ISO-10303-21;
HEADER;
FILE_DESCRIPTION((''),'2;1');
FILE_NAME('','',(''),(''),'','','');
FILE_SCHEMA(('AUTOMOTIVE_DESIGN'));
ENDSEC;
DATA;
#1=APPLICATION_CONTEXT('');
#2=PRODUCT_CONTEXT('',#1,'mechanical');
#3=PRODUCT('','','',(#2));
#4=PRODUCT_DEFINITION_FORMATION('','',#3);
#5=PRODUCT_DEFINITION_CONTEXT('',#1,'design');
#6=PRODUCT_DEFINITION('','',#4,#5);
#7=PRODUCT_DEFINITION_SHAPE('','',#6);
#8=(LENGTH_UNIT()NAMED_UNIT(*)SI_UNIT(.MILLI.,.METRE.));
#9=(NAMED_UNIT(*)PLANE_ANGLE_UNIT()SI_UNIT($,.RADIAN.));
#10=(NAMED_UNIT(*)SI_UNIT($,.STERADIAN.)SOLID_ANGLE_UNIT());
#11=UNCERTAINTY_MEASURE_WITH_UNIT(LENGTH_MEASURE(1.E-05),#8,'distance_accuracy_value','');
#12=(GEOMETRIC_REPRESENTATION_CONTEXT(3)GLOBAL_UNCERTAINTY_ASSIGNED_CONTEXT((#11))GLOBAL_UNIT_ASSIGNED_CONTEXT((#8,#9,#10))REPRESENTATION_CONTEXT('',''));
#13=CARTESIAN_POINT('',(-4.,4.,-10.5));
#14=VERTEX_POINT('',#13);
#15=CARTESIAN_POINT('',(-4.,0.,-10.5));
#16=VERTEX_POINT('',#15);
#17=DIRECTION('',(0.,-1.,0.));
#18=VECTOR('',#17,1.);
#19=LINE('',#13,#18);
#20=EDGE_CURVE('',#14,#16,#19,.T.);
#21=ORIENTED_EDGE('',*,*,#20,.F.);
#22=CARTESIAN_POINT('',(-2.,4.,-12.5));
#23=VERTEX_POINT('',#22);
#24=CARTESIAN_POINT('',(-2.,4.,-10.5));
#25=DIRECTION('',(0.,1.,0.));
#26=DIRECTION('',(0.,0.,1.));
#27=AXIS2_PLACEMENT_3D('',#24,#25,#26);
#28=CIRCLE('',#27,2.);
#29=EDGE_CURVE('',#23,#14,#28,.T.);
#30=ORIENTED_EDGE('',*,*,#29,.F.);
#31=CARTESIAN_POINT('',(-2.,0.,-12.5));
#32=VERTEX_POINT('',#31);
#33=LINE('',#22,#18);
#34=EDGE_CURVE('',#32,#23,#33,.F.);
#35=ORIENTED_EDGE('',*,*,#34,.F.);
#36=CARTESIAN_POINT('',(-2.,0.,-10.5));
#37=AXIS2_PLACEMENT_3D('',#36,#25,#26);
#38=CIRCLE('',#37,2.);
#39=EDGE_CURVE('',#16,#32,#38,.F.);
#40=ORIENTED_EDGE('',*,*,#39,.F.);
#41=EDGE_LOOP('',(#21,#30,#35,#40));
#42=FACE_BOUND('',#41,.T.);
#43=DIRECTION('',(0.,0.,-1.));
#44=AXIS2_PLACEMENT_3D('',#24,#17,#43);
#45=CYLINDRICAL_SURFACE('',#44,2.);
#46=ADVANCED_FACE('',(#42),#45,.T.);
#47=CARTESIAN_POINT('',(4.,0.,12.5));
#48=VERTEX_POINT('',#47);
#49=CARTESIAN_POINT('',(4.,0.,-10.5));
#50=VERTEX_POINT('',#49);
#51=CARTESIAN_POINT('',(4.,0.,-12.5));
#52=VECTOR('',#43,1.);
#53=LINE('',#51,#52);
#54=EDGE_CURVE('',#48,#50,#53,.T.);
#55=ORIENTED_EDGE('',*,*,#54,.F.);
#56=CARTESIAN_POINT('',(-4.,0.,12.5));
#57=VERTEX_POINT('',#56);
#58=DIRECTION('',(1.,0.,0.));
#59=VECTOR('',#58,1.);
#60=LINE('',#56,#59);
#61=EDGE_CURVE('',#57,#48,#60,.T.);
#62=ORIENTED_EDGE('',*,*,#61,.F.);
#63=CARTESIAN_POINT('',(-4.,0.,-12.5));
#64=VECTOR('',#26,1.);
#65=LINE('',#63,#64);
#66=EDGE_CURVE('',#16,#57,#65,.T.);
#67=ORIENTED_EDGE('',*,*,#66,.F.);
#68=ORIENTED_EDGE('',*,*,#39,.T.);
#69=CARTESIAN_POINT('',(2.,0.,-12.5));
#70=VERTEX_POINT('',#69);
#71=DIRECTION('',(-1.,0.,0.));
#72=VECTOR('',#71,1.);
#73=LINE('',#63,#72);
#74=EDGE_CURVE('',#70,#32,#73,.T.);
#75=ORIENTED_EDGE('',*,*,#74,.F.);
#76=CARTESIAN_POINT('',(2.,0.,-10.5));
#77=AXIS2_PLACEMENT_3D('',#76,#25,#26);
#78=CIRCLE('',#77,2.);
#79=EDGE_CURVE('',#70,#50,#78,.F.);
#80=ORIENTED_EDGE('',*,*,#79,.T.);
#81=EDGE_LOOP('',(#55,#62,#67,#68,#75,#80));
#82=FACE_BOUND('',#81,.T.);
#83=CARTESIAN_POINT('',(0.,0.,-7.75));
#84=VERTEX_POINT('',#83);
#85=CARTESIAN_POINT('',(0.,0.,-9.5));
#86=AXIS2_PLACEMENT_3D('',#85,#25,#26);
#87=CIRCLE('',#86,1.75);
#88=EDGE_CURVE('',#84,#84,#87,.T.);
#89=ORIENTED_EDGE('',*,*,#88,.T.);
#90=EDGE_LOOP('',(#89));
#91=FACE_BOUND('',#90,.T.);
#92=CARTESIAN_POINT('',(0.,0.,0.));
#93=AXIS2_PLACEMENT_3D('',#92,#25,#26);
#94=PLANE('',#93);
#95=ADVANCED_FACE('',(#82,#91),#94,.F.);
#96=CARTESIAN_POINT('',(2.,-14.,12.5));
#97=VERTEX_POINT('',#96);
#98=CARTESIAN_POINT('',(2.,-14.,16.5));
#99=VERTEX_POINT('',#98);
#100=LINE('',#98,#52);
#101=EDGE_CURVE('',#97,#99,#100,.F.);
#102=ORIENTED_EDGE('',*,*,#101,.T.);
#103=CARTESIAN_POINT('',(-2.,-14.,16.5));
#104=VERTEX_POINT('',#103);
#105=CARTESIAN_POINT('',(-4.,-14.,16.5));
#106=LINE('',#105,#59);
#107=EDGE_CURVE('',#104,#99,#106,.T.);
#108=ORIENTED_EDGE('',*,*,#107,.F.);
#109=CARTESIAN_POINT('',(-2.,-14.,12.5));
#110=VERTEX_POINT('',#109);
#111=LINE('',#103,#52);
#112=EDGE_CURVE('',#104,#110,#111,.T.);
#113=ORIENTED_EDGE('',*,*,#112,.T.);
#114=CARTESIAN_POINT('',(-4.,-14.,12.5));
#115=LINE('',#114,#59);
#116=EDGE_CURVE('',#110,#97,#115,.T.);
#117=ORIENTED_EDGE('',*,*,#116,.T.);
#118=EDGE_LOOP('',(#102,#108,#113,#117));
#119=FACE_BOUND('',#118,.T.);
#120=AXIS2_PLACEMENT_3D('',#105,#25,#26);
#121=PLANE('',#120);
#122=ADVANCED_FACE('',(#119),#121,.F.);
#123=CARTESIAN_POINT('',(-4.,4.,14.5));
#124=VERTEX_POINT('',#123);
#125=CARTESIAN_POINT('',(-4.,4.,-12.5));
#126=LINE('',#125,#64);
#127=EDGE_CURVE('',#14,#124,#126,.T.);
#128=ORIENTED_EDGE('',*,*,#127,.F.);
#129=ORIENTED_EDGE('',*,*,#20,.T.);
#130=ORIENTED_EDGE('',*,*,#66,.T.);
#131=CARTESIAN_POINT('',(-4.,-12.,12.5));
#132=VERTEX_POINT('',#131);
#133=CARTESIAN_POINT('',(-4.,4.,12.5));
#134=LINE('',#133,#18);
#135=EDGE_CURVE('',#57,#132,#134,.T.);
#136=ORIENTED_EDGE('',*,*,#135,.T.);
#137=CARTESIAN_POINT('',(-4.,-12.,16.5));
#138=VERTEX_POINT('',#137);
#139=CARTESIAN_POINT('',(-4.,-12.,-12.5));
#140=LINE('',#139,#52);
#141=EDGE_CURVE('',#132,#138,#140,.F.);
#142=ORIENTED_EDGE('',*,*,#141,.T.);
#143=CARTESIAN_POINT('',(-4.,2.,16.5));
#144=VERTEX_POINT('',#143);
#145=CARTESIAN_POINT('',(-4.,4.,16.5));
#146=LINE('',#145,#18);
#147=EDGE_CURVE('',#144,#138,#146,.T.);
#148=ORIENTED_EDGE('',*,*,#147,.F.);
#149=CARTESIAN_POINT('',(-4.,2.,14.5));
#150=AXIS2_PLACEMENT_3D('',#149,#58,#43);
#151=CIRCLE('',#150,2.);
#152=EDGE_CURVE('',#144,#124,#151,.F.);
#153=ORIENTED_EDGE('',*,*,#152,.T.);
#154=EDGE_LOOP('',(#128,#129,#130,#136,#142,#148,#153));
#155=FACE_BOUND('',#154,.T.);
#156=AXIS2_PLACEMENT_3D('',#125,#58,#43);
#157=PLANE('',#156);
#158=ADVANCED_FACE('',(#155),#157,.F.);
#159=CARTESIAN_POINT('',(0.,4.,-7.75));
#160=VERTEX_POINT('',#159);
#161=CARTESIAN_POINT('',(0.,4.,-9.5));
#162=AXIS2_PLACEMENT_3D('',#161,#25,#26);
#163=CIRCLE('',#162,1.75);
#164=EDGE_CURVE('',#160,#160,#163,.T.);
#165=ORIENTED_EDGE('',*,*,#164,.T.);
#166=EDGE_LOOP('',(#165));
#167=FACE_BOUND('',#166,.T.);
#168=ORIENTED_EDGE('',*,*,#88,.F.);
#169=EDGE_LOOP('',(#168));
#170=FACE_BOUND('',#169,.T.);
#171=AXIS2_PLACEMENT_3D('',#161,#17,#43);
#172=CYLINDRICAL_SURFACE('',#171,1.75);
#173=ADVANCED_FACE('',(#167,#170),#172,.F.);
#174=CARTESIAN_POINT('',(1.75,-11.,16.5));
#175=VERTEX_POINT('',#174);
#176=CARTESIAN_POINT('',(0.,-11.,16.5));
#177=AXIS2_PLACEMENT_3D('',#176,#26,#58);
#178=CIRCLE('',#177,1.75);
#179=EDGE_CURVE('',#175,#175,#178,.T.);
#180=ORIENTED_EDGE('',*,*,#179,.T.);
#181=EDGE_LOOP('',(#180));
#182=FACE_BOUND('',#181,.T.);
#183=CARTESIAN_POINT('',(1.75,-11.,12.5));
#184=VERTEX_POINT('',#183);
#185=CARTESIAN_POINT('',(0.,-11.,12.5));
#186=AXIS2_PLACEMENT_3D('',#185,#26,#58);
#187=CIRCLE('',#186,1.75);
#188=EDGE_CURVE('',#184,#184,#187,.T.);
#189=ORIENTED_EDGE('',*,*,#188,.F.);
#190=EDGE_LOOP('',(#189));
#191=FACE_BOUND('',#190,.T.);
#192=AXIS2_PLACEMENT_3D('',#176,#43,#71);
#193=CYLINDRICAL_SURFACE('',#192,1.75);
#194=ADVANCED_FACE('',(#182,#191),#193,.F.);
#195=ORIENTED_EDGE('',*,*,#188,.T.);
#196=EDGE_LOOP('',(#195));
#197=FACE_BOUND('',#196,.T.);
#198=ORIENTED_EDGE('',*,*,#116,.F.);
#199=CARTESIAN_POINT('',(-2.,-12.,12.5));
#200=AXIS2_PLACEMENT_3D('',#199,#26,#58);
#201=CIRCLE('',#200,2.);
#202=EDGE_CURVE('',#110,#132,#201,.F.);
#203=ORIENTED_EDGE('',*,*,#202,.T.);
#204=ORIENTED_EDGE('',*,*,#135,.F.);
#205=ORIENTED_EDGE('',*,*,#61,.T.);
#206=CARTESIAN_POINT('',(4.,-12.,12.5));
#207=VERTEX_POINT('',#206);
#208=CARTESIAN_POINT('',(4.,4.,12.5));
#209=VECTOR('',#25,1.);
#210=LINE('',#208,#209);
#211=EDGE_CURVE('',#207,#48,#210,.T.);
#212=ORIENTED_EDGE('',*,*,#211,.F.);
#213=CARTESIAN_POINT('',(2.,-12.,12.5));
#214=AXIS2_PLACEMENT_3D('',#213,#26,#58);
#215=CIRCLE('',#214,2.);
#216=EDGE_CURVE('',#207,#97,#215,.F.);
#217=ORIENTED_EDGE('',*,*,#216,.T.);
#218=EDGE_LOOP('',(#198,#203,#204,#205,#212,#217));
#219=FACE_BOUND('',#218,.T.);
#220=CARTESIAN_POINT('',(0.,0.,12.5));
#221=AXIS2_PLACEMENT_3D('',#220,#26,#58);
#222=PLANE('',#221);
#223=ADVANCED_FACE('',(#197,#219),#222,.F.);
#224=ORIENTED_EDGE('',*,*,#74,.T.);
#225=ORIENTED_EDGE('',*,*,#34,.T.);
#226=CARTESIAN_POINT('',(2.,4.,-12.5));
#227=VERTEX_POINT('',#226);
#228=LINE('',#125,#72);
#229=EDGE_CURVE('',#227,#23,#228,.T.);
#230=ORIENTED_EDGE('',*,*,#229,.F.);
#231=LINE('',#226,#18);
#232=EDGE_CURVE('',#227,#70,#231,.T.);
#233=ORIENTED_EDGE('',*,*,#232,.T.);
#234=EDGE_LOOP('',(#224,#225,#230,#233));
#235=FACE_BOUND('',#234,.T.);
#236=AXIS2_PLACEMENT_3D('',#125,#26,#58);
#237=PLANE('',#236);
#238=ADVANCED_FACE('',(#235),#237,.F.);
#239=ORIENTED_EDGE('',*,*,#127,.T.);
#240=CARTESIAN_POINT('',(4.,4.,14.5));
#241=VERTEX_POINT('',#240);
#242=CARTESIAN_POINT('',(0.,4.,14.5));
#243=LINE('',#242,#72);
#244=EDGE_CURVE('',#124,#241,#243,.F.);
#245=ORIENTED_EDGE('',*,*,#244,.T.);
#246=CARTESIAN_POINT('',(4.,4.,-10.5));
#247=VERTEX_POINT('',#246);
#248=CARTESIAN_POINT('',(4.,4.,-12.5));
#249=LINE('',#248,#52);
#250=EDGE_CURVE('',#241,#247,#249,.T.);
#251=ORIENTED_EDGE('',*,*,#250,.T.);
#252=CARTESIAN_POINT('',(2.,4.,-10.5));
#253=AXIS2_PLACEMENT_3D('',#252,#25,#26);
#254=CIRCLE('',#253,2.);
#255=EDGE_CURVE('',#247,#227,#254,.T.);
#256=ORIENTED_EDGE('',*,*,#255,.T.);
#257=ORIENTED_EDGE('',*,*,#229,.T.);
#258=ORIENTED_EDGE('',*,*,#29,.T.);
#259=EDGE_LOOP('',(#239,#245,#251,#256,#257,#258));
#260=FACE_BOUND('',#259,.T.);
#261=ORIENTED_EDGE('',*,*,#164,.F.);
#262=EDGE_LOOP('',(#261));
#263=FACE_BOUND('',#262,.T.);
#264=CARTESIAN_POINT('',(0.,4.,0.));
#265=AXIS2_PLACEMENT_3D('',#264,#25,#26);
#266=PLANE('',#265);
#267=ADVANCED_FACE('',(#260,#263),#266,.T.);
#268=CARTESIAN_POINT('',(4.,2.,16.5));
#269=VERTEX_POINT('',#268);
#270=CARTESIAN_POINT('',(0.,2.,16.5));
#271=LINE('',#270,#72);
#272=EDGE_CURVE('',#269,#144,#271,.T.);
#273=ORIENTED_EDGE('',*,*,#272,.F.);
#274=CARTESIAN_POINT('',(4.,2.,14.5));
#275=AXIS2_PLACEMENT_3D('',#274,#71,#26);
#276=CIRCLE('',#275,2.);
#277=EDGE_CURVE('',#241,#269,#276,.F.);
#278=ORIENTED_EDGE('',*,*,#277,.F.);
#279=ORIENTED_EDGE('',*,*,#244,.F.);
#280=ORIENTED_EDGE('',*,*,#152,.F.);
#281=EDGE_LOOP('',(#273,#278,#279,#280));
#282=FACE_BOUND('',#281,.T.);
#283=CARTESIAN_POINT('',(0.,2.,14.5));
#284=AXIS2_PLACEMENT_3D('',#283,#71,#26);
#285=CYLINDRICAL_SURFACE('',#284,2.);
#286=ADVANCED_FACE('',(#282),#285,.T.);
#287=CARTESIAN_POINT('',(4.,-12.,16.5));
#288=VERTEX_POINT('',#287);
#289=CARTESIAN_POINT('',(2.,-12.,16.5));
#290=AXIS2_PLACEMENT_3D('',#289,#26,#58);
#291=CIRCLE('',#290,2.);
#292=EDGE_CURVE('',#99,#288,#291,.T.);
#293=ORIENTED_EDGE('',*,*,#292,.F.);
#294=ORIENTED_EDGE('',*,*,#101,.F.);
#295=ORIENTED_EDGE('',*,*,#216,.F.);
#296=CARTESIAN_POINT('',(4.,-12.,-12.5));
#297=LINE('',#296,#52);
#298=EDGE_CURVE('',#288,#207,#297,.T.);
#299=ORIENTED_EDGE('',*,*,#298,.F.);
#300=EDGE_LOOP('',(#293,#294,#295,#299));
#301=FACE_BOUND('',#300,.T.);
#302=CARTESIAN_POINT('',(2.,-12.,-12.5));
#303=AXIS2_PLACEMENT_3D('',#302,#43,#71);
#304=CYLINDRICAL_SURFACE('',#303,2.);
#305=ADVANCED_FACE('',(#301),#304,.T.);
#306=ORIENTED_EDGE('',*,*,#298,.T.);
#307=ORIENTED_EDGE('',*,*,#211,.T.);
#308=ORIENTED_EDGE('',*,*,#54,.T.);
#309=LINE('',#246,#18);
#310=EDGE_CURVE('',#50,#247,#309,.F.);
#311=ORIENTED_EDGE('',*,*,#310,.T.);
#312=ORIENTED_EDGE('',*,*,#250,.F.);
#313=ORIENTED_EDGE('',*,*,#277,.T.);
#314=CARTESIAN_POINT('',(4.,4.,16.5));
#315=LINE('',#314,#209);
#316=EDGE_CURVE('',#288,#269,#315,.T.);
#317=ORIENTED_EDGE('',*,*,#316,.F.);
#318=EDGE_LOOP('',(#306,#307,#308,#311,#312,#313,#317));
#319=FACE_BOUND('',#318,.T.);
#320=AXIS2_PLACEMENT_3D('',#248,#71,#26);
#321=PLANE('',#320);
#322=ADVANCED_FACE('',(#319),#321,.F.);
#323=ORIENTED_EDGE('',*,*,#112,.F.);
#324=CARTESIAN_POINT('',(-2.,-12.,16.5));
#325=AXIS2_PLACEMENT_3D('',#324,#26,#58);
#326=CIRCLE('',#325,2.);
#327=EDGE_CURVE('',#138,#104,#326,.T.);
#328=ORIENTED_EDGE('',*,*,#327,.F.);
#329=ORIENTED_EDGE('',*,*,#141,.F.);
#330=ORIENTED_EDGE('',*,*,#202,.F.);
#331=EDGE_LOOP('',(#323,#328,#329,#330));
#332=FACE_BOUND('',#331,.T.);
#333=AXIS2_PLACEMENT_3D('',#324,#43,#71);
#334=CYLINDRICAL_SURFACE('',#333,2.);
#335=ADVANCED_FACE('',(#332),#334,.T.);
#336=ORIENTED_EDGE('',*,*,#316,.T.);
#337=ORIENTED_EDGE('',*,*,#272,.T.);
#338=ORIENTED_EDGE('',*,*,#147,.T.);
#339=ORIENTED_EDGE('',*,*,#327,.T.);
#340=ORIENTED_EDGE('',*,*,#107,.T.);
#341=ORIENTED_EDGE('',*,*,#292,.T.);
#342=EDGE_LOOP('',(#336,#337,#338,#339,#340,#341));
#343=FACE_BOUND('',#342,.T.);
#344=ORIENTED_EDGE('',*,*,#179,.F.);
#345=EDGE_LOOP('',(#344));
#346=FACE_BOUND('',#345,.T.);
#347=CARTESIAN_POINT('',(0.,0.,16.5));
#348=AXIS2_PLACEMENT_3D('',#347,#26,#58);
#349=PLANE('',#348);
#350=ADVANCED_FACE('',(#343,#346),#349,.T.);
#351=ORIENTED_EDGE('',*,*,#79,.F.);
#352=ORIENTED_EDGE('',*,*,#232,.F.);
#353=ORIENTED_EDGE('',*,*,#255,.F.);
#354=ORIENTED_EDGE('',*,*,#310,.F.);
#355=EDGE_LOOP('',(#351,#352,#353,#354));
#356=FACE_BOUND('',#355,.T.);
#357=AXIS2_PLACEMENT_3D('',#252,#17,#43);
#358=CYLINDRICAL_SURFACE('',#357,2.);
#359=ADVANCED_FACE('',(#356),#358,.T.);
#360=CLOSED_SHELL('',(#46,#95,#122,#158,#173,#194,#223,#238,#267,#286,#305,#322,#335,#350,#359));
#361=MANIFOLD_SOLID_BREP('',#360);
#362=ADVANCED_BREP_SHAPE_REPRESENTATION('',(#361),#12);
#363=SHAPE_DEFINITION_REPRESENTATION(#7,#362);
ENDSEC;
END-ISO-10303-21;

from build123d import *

# Parameters (mm, degrees)
ESQUISSE1_W        = 8
ESQUISSE1_H        = 25
ESQUISSE1_R        = 1.75
BOSS_EXTRU_1_DEPTH = 4
ESQUISSE2_W        = 8
ESQUISSE2_H        = 18
ESQUISSE2_R        = 1.75
BOSS_EXTRU_2_DEPTH = 4
CONG_1_R           = 2


with BuildPart() as part:
    # Esquisse1 → Boss.-Extru.1 (new body)
    with BuildSketch(Plane(origin=(0, 0, 0), x_dir=(1, 0, 0), z_dir=(0, 1, 0))):
        Rectangle(ESQUISSE1_W, ESQUISSE1_H)
        with Locations((0, 9.5)):
            Circle(ESQUISSE1_R, mode=Mode.SUBTRACT)
    extrude(amount=BOSS_EXTRU_1_DEPTH)

    # Esquisse2 → Boss.-Extru.2 (add)
    with BuildSketch(Plane.XY.offset(12.5)):
        with Locations((0, -5)):
            Rectangle(ESQUISSE2_W, ESQUISSE2_H)
        with Locations((0, -11)):
            Circle(ESQUISSE2_R, mode=Mode.SUBTRACT)
    extrude(amount=BOSS_EXTRU_2_DEPTH)

    # Congé1
    cong_1_edges = [part.edges().sort_by_distance(p)[0] for p in [
        (0, 4, 16.5),
        (-4, -14, 14.5),
        (4, -14, 14.5),
        (-4, 2, -12.5),
        (4, 2, -12.5),
    ]]
    fillet(cong_1_edges, radius=CONG_1_R)


solid = part.part
